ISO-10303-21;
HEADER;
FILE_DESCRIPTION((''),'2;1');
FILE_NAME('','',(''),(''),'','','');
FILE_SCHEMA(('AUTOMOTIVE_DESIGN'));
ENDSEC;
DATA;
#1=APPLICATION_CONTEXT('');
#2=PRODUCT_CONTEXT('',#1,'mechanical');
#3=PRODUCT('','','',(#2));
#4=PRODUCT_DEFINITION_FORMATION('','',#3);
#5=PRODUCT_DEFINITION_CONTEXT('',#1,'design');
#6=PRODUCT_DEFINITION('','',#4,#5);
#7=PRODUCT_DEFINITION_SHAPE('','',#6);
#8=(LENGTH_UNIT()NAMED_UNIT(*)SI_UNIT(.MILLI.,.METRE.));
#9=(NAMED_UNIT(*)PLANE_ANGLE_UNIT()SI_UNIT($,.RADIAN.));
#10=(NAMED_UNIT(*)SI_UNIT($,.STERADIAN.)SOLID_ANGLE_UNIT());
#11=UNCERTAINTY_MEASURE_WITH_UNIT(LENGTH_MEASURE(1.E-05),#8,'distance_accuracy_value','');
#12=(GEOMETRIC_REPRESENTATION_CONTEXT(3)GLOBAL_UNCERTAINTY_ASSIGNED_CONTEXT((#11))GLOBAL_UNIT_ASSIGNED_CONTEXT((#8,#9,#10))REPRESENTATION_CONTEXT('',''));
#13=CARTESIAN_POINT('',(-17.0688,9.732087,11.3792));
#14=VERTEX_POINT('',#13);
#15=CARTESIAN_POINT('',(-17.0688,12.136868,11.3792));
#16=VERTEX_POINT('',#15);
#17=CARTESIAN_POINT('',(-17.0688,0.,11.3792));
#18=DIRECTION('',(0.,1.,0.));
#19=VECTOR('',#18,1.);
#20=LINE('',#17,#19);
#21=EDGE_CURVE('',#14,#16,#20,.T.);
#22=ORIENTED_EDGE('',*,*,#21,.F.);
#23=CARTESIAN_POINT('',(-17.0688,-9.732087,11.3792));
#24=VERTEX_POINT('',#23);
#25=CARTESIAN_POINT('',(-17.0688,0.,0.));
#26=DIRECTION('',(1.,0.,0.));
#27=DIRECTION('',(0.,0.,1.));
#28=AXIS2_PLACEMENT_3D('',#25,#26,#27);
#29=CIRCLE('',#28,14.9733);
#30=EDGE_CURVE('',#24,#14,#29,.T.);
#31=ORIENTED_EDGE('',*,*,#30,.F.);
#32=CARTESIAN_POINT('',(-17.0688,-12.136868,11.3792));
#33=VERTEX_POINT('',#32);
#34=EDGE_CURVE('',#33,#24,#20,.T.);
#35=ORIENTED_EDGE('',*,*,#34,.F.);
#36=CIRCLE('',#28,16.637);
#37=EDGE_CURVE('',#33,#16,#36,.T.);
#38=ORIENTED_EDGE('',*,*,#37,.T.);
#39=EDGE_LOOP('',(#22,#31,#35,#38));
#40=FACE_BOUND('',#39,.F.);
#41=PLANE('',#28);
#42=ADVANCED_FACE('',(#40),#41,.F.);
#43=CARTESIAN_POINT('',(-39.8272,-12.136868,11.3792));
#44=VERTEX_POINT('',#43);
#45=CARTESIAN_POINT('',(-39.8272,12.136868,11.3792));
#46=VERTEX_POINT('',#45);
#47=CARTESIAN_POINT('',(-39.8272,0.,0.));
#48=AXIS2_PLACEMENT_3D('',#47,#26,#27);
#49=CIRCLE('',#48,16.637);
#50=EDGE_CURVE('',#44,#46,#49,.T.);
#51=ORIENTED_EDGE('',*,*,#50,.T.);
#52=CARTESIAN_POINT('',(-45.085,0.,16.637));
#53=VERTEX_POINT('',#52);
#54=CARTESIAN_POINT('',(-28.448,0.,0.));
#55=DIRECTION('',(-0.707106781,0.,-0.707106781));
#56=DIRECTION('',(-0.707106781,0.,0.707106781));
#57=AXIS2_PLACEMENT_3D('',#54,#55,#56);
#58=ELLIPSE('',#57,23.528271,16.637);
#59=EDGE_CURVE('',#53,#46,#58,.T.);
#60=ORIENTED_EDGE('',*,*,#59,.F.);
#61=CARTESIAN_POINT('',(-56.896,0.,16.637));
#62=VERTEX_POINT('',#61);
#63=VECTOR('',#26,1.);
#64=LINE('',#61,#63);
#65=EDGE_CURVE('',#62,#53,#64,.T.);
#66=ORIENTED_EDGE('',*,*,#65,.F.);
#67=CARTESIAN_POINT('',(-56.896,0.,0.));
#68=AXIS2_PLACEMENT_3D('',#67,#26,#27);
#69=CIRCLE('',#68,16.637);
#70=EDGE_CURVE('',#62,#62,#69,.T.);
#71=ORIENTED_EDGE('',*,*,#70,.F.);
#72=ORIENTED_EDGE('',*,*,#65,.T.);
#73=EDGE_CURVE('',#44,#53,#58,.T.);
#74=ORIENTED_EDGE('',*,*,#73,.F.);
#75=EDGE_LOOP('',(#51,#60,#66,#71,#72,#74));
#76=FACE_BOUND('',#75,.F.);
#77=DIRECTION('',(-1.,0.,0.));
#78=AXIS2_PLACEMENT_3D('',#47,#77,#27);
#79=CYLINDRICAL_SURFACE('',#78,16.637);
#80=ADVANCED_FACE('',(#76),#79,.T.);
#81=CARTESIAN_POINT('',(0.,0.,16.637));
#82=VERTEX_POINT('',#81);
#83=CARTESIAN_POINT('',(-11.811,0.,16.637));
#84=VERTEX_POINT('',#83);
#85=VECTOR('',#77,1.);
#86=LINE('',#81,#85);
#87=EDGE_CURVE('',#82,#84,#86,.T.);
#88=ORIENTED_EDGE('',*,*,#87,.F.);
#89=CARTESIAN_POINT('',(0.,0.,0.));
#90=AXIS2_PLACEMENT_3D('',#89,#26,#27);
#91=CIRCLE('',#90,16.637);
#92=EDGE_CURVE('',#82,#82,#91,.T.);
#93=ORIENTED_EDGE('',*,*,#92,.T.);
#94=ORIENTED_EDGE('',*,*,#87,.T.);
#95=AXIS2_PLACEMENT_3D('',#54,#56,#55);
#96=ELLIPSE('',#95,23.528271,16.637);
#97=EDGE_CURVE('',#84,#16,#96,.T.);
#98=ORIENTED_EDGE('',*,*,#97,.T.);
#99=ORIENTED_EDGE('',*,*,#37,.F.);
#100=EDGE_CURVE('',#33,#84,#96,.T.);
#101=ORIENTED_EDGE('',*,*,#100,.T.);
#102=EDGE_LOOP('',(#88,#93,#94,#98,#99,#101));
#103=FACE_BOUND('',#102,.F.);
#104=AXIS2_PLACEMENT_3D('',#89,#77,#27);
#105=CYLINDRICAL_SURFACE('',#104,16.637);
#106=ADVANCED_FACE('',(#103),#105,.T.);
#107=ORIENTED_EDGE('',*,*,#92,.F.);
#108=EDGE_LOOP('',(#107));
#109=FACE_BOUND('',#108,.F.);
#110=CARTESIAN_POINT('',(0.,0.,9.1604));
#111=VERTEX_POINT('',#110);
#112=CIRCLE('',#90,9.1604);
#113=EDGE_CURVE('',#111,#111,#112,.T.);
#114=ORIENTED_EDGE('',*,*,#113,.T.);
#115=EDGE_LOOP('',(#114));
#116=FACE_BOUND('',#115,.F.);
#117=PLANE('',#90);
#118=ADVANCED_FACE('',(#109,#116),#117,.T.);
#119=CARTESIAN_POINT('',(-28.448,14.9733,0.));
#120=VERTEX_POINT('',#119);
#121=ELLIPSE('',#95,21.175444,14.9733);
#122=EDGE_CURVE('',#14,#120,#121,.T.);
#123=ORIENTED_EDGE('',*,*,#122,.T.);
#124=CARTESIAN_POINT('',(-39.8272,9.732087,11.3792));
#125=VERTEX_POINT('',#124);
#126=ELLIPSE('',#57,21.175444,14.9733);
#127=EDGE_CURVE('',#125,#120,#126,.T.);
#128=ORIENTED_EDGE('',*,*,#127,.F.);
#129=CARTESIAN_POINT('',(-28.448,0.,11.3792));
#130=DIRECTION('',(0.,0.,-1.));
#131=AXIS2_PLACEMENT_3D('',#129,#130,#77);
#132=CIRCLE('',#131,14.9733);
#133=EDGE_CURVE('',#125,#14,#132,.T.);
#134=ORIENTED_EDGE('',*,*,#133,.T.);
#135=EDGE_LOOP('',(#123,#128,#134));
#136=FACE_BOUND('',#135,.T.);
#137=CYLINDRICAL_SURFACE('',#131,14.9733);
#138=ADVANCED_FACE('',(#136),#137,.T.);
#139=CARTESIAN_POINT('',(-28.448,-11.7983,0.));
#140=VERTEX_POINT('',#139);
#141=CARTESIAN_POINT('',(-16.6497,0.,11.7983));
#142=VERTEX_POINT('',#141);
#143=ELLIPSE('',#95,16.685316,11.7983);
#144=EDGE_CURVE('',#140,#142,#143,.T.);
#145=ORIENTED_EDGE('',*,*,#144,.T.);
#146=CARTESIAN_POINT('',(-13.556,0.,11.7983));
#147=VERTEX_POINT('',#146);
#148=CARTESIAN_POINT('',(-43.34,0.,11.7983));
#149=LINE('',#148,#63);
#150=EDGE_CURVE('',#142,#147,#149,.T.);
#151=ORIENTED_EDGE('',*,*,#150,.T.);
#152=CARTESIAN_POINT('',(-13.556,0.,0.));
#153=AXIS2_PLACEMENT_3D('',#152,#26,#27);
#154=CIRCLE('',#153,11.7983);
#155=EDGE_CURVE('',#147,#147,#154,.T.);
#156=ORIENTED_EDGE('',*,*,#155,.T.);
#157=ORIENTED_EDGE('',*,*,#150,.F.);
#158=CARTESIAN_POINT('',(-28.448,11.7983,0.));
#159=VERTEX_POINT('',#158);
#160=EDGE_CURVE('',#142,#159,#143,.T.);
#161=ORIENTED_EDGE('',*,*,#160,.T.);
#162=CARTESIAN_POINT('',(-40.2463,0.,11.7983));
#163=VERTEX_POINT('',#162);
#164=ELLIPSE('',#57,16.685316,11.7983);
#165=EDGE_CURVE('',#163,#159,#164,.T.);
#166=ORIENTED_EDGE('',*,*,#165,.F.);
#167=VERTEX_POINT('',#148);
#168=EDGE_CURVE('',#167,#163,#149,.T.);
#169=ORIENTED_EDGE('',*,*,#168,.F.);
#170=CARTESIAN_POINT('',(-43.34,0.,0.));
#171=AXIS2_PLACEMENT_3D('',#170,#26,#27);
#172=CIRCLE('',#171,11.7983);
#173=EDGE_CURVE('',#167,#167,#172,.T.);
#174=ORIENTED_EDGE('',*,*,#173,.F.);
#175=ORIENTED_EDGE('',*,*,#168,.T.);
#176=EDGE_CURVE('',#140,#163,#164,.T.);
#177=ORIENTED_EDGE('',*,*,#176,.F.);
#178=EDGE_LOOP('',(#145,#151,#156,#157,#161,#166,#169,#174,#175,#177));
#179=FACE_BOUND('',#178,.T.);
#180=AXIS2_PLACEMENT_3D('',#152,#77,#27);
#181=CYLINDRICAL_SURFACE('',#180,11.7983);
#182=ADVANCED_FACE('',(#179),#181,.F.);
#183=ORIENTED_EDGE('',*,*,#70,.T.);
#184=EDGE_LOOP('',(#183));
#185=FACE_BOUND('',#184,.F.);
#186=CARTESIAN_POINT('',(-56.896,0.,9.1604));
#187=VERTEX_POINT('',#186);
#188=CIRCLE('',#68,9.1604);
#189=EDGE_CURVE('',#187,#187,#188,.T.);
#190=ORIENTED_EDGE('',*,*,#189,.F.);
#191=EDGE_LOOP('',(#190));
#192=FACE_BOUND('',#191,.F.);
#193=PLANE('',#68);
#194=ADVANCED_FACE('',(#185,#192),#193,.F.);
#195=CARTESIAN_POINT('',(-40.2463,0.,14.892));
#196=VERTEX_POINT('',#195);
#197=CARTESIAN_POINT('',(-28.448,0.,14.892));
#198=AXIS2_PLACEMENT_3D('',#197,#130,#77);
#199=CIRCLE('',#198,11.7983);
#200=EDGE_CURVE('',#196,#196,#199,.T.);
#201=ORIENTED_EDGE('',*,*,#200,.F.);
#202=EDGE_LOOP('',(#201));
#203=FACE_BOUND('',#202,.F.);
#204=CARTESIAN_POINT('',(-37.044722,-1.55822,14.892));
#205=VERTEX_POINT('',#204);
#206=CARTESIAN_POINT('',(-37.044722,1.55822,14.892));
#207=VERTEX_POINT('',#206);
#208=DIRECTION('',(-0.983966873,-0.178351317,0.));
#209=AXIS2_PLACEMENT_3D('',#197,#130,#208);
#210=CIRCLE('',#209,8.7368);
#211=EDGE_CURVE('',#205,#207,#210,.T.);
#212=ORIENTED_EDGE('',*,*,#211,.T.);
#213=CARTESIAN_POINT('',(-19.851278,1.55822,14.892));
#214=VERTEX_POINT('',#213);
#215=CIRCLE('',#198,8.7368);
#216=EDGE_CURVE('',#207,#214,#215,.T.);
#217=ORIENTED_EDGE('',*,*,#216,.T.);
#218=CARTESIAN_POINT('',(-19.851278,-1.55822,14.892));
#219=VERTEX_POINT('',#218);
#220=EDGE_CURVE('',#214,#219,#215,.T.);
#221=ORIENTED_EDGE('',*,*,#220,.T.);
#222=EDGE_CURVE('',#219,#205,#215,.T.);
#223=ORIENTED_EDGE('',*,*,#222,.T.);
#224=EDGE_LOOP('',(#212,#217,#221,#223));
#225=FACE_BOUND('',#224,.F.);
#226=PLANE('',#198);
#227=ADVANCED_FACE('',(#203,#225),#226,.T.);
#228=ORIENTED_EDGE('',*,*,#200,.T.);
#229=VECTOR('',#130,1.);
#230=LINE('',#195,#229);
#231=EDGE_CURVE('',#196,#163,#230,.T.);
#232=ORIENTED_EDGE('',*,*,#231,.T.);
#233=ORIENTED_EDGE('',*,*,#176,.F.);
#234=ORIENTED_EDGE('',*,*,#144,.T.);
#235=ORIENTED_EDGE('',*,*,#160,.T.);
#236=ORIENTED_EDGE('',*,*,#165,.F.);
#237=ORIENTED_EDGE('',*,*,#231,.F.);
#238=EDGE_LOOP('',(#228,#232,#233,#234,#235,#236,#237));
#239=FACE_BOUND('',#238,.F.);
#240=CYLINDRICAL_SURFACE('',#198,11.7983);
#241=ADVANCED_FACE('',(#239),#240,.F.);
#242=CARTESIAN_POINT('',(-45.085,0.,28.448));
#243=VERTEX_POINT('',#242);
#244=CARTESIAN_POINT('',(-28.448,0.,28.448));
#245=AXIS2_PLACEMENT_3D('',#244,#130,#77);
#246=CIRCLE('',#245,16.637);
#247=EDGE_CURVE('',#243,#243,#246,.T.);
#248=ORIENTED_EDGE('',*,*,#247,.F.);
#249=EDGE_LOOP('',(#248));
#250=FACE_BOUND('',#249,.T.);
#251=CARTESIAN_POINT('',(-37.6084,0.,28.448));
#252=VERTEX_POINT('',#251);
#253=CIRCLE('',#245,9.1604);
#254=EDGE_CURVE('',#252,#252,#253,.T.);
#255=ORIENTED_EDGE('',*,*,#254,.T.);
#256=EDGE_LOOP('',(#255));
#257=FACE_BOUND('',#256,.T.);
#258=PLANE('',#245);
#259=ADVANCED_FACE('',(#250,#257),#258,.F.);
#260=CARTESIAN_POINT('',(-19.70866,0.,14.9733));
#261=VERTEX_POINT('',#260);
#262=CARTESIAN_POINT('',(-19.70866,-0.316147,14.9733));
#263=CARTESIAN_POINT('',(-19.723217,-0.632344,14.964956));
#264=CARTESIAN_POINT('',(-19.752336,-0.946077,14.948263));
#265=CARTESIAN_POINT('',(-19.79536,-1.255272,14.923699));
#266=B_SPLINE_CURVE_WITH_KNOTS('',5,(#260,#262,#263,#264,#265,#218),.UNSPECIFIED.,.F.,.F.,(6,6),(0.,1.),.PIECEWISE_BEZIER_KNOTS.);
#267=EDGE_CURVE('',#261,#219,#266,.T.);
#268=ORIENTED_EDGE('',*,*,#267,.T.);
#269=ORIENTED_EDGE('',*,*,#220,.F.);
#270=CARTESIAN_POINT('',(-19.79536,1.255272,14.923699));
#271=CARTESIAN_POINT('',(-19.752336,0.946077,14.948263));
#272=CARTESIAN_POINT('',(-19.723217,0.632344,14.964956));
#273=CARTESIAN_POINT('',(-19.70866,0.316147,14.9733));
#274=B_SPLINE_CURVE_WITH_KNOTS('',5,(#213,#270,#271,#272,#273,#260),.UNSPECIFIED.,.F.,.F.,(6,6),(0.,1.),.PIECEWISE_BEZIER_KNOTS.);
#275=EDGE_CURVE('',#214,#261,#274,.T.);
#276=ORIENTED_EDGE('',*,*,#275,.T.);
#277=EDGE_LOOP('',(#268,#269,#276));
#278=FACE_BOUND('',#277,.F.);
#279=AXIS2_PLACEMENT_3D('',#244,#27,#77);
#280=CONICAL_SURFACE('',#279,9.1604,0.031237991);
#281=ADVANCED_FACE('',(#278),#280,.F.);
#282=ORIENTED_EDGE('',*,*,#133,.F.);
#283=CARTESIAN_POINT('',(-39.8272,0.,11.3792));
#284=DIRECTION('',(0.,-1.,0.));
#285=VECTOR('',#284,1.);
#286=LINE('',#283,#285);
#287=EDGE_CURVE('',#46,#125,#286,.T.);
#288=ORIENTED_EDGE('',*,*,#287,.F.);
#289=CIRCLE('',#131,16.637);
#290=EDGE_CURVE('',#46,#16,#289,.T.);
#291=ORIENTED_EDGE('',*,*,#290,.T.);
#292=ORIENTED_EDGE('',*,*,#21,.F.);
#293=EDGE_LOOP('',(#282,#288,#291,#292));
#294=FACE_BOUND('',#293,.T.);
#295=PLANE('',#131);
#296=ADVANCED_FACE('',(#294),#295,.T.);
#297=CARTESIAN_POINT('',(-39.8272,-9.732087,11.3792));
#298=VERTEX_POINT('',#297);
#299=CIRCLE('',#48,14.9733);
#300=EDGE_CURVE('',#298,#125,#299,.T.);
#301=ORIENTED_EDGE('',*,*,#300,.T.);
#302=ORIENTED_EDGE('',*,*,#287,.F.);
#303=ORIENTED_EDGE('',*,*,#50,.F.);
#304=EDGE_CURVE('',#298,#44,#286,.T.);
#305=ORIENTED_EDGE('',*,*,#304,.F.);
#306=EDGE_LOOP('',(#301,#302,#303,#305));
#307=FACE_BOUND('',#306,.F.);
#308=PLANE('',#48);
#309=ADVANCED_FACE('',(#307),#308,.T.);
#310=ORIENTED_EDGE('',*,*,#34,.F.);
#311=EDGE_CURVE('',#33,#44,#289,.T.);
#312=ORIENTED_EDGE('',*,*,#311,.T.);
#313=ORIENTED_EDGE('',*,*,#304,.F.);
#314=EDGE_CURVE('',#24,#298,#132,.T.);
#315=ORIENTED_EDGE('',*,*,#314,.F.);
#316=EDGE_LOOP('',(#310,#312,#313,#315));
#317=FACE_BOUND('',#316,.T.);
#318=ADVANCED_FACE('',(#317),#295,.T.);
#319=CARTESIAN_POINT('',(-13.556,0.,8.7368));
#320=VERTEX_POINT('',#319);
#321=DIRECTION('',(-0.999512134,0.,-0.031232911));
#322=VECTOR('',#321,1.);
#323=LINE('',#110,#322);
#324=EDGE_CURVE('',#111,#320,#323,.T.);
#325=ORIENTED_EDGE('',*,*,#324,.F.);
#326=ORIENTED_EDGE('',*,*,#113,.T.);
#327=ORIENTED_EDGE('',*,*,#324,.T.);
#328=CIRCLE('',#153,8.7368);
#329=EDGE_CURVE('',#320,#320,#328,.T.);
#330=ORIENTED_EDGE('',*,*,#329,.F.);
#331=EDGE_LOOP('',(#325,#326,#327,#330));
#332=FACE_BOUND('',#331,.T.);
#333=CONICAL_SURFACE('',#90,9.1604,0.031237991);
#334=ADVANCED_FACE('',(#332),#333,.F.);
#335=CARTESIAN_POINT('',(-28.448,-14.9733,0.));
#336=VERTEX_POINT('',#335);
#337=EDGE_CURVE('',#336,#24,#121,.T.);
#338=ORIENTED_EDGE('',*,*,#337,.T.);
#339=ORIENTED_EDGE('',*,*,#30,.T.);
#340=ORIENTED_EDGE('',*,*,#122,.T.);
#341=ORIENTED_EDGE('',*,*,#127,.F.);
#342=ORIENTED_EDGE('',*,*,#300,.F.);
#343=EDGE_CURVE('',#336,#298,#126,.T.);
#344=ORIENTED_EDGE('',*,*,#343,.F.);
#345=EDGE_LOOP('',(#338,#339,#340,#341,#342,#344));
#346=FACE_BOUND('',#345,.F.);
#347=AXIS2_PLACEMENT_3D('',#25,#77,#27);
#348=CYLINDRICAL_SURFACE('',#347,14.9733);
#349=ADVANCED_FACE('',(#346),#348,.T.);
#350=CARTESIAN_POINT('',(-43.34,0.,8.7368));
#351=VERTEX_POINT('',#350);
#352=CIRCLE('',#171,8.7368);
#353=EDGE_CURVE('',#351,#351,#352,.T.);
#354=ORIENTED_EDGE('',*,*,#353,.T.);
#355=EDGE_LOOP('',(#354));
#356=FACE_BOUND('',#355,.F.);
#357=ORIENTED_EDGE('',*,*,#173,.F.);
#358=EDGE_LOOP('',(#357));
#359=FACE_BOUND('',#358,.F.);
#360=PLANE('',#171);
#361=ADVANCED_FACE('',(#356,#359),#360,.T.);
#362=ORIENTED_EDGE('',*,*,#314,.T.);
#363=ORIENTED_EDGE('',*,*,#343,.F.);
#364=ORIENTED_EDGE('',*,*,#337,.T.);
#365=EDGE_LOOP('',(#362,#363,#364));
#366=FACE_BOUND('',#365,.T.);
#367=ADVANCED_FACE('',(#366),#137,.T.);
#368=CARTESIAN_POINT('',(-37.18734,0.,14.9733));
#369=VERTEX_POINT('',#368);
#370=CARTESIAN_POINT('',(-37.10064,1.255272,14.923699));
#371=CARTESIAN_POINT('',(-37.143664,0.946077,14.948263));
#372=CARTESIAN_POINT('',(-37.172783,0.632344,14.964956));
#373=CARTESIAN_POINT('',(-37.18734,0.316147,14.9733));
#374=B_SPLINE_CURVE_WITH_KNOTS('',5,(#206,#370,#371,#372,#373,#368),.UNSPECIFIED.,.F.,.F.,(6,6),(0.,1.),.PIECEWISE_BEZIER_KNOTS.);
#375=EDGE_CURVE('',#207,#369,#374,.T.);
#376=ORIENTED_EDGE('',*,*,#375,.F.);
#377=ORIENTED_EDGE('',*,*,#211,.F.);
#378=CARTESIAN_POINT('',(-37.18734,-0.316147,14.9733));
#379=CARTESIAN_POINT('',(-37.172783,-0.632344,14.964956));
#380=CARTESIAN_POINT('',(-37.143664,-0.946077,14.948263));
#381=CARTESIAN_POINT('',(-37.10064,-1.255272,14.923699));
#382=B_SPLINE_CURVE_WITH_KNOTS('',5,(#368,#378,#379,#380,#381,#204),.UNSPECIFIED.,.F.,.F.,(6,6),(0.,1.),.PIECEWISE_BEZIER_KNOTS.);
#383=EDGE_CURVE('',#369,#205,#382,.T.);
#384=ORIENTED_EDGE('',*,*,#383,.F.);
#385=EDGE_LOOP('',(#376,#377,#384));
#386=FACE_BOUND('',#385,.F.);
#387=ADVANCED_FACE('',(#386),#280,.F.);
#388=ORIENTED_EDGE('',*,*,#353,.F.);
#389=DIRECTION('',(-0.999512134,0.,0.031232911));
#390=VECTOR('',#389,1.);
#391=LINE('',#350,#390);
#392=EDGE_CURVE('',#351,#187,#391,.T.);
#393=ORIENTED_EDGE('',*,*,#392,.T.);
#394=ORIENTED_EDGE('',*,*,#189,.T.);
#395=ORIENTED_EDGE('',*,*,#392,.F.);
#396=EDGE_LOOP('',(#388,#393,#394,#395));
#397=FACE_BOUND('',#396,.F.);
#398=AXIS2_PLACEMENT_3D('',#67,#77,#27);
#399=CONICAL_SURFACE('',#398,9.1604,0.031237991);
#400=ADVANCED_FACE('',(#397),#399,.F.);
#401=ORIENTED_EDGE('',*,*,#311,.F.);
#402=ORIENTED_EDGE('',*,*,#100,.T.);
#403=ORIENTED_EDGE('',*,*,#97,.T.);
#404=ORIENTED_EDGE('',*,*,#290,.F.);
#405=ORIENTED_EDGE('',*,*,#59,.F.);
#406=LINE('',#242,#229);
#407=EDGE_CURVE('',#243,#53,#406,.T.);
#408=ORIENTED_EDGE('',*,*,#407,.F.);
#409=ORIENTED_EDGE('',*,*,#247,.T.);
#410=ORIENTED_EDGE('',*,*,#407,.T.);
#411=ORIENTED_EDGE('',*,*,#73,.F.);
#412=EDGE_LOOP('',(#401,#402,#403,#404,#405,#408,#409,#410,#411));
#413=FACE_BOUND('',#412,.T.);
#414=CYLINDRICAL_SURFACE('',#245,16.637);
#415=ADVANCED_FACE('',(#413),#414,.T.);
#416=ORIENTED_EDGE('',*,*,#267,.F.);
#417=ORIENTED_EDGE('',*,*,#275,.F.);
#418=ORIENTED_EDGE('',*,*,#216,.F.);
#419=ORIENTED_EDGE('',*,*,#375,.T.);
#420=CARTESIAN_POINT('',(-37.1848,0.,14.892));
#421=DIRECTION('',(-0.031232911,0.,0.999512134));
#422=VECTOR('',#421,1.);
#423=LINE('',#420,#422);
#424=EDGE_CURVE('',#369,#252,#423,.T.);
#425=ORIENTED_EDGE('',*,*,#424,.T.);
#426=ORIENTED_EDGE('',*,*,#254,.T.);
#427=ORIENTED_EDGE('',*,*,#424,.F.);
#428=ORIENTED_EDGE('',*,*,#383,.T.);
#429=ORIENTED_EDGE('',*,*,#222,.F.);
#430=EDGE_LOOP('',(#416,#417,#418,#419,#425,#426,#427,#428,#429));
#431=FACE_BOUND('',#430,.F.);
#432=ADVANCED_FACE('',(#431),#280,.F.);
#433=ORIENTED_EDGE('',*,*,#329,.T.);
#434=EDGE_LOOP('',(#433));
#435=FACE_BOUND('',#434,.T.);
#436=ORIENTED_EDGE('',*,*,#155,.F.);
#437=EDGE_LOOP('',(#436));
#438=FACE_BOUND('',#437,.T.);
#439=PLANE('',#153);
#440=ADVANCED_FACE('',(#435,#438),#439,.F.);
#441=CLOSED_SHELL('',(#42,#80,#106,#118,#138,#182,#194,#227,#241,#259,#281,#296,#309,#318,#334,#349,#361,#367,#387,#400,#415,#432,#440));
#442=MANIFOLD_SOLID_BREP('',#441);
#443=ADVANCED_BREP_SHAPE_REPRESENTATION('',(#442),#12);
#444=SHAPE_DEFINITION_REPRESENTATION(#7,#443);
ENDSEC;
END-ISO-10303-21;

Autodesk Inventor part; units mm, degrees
ref_plane "YZ Plane" through (0, 0, 0) normal (1, 0, 0) x (0, 1, 0)
ref_plane "XZ Plane" through (0, 0, 0) normal (0, 1, 0) x (-1, 0, 0)
ref_plane "XY Plane" through (0, 0, 0) normal (0, 0, 1) x (1, 0, 0)
sketch "Sketch1" plane through (0, 0, 0) normal (0, 1, 0) x (-1, 0, 0)
  line L0 (0, 16.637) -> (17.0688, 16.637)
  line L1 (17.0688, 16.637) -> (17.0688, 14.9733)
  line L2 (39.8272, 14.9733) -> (39.8272, 16.637)
  line L3 (39.8272, 16.637) -> (56.896, 16.637)
  line L4 (56.896, 16.637) -> (56.896, 9.1604)
  line L5 (56.896, 9.1604) -> (56.896, 0)
  line L6 (56.896, 0) -> (0, 0)
  line L7 (0, 0) -> (0, 9.1604)
  line L8 (0, 9.1604) -> (13.556, 8.7368)
  line L9 (13.556, 8.7368) -> (13.556, 11.7983)
  line L10 (56.896, 9.1604) -> (43.34, 8.7368)
  line L11 (43.34, 8.7368) -> (43.34, 11.7983)
  line L12 (0, 9.1604) -> (0, 16.637)
  line L13 (17.0688, 16.637) -> (28.448, 16.637) construction
  line L14 (28.448, 16.637) -> (39.8272, 16.637) construction
  line L15 (28.448, 16.637) -> (28.448, 0) construction
  line L16 (17.0688, 14.9733) -> (28.448, 14.9733)
  line L17 (28.448, 14.9733) -> (39.8272, 14.9733)
  line L18 (13.556, 11.7983) -> (28.448, 11.7983)
  line L19 (28.448, 11.7983) -> (43.34, 11.7983)
  line L20 (37.6084, 28.448) -> (45.085, 28.448)
  line L21 (45.085, 28.448) -> (45.085, 11.3792)
  line L22 (45.085, 11.3792) -> (43.4213, 11.3792)
  line L23 (43.4213, 11.3792) -> (43.4213, 0)
  line L24 (43.4213, 0) -> (40.2463, 0)
  line L25 (37.6084, 28.448) -> (37.1848, 14.892)
  line L26 (37.6084, 28.448) -> (28.448, 28.448)
  line L27 (40.2463, 0) -> (28.448, 0)
  line L28 (28.448, 28.448) -> (28.448, 0) construction
  line L29 (37.1848, 14.892) -> (40.2463, 14.892)
  line L30 (40.2463, 14.892) -> (40.2463, 0)
  line L31 (13.556, 11.7983) -> (13.556, 0)
  line L32 (43.34, 11.7983) -> (43.34, 0)
  line L33 (40.2463, 14.892) -> (28.448, 14.892)
  line L34 (28.448, 14.892) -> (28.448, 0)
  line L35 (28.448, 28.448) -> (28.448, 14.892)
  dimension "d0" = 18.3208
  dimension "d1" = 33.274
  dimension "d2" = 17.0688
  dimension "d3" = 28.448
  dimension "d4" = 13.556
  dimension "d5" = 23.5966
  dimension "d6" = 3.175
  dimension "d7" = 1.79
  dimension "d8" = 28.448
  dimension "d9" = 17.0688
  dimension "d10" = 33.274
  dimension "d12" = 18.3208
  dimension "d13" = 23.5966
  dimension "d14" = 13.556
  dimension "d15" = 1.79
  dimension "d16" = 3.175
revolve "Revolve1" add sketch "Sketch1" angle 360 about axis through (-56.896, 0, 0) along (1, 0, 0) contours L0 L1 L16 L35 L34 L18 L9 L8 L12 | L8 L31 L6 L7 | L9 L18 L34 L6 L31 | L17 L25 L33 L35 | L17 L2 L3 L21 L22 L23 L10 L11 L19 L30 L29 L25 | L33 L29 L30 L19 L34 | L34 L19 L30 L6 | L30 L19 L11 L32 L6 | L32 L10 L23 L6 | L3 L4 L10 L23 L22 L21 | L23 L10 L5 L6
revolve "Revolve2" add sketch "Sketch1" angle 360 about axis through (-28.448, 0, 28.448) along (0, 0, -1) contours L25 L20 L21 L3 L2 L17 | L17 L2 L3 L21 L22 L23 L10 L11 L19 L30 L29 L25 | L33 L29 L30 L19 L34 | L34 L19 L30 L6 | L30 L19 L11 L32 L6 | L32 L10 L23 L6
revolve "Revolve3" cut sketch "Sketch1" angle 360 about axis through (-56.896, 0, 0) along (1, 0, 0) contours L8 L31 L6 L7 | L9 L18 L34 L6 L31 | L34 L19 L30 L6 | L30 L19 L11 L32 L6 | L32 L10 L23 L6 | L23 L10 L5 L6
revolve "Revolve4" cut sketch "Sketch1" angle 360 about axis through (-28.448, 0, 28.448) along (0, 0, -1) contours L35 L26 L25 L17 | L17 L25 L33 L35 | L33 L29 L30 L19 L34 | L34 L19 L30 L6
thread "Thread1" size "1/2" designation "1/2 - 14 NPT" standard "NPT" full length
thread "Thread2" size "1/2" designation "1/2 - 14 NPT" standard "NPT" full length
thread "Thread3" size "1/2" designation "1/2 - 14 NPT" standard "NPT" full length
equation "\"d0\" = MD"
equation "\"d1\" = H"
equation "\"d2\" = 0.6 * A"
equation "\"d3\" = A"
equation "\"d4\" = L2"
equation "\"d5\" = 0.9 * H - 2 * G"
equation "\"d6\" = G"
equation "\"d8\" = A"
equation "\"d9\" = 0.6 * A"
equation "\"d10\" = H"
equation "\"d12\" = MD"
equation "\"d13\" = 0.9 * H - 2 * G"
equation "\"d14\" = L2"
equation "\"d16\" = G"
equation "\"A\" = 28.448"
equation "\"L2\" = 13.55598"
equation "\"G\" = 3.175"
equation "\"H\" = 33.274"
equation "\"MD\" = 18.32077"
equation "\"Size_Designation\" = 0.5"
properties part number "ASME B16.11 Tee Threaded - Class 2000 1/2" material "Steel"
